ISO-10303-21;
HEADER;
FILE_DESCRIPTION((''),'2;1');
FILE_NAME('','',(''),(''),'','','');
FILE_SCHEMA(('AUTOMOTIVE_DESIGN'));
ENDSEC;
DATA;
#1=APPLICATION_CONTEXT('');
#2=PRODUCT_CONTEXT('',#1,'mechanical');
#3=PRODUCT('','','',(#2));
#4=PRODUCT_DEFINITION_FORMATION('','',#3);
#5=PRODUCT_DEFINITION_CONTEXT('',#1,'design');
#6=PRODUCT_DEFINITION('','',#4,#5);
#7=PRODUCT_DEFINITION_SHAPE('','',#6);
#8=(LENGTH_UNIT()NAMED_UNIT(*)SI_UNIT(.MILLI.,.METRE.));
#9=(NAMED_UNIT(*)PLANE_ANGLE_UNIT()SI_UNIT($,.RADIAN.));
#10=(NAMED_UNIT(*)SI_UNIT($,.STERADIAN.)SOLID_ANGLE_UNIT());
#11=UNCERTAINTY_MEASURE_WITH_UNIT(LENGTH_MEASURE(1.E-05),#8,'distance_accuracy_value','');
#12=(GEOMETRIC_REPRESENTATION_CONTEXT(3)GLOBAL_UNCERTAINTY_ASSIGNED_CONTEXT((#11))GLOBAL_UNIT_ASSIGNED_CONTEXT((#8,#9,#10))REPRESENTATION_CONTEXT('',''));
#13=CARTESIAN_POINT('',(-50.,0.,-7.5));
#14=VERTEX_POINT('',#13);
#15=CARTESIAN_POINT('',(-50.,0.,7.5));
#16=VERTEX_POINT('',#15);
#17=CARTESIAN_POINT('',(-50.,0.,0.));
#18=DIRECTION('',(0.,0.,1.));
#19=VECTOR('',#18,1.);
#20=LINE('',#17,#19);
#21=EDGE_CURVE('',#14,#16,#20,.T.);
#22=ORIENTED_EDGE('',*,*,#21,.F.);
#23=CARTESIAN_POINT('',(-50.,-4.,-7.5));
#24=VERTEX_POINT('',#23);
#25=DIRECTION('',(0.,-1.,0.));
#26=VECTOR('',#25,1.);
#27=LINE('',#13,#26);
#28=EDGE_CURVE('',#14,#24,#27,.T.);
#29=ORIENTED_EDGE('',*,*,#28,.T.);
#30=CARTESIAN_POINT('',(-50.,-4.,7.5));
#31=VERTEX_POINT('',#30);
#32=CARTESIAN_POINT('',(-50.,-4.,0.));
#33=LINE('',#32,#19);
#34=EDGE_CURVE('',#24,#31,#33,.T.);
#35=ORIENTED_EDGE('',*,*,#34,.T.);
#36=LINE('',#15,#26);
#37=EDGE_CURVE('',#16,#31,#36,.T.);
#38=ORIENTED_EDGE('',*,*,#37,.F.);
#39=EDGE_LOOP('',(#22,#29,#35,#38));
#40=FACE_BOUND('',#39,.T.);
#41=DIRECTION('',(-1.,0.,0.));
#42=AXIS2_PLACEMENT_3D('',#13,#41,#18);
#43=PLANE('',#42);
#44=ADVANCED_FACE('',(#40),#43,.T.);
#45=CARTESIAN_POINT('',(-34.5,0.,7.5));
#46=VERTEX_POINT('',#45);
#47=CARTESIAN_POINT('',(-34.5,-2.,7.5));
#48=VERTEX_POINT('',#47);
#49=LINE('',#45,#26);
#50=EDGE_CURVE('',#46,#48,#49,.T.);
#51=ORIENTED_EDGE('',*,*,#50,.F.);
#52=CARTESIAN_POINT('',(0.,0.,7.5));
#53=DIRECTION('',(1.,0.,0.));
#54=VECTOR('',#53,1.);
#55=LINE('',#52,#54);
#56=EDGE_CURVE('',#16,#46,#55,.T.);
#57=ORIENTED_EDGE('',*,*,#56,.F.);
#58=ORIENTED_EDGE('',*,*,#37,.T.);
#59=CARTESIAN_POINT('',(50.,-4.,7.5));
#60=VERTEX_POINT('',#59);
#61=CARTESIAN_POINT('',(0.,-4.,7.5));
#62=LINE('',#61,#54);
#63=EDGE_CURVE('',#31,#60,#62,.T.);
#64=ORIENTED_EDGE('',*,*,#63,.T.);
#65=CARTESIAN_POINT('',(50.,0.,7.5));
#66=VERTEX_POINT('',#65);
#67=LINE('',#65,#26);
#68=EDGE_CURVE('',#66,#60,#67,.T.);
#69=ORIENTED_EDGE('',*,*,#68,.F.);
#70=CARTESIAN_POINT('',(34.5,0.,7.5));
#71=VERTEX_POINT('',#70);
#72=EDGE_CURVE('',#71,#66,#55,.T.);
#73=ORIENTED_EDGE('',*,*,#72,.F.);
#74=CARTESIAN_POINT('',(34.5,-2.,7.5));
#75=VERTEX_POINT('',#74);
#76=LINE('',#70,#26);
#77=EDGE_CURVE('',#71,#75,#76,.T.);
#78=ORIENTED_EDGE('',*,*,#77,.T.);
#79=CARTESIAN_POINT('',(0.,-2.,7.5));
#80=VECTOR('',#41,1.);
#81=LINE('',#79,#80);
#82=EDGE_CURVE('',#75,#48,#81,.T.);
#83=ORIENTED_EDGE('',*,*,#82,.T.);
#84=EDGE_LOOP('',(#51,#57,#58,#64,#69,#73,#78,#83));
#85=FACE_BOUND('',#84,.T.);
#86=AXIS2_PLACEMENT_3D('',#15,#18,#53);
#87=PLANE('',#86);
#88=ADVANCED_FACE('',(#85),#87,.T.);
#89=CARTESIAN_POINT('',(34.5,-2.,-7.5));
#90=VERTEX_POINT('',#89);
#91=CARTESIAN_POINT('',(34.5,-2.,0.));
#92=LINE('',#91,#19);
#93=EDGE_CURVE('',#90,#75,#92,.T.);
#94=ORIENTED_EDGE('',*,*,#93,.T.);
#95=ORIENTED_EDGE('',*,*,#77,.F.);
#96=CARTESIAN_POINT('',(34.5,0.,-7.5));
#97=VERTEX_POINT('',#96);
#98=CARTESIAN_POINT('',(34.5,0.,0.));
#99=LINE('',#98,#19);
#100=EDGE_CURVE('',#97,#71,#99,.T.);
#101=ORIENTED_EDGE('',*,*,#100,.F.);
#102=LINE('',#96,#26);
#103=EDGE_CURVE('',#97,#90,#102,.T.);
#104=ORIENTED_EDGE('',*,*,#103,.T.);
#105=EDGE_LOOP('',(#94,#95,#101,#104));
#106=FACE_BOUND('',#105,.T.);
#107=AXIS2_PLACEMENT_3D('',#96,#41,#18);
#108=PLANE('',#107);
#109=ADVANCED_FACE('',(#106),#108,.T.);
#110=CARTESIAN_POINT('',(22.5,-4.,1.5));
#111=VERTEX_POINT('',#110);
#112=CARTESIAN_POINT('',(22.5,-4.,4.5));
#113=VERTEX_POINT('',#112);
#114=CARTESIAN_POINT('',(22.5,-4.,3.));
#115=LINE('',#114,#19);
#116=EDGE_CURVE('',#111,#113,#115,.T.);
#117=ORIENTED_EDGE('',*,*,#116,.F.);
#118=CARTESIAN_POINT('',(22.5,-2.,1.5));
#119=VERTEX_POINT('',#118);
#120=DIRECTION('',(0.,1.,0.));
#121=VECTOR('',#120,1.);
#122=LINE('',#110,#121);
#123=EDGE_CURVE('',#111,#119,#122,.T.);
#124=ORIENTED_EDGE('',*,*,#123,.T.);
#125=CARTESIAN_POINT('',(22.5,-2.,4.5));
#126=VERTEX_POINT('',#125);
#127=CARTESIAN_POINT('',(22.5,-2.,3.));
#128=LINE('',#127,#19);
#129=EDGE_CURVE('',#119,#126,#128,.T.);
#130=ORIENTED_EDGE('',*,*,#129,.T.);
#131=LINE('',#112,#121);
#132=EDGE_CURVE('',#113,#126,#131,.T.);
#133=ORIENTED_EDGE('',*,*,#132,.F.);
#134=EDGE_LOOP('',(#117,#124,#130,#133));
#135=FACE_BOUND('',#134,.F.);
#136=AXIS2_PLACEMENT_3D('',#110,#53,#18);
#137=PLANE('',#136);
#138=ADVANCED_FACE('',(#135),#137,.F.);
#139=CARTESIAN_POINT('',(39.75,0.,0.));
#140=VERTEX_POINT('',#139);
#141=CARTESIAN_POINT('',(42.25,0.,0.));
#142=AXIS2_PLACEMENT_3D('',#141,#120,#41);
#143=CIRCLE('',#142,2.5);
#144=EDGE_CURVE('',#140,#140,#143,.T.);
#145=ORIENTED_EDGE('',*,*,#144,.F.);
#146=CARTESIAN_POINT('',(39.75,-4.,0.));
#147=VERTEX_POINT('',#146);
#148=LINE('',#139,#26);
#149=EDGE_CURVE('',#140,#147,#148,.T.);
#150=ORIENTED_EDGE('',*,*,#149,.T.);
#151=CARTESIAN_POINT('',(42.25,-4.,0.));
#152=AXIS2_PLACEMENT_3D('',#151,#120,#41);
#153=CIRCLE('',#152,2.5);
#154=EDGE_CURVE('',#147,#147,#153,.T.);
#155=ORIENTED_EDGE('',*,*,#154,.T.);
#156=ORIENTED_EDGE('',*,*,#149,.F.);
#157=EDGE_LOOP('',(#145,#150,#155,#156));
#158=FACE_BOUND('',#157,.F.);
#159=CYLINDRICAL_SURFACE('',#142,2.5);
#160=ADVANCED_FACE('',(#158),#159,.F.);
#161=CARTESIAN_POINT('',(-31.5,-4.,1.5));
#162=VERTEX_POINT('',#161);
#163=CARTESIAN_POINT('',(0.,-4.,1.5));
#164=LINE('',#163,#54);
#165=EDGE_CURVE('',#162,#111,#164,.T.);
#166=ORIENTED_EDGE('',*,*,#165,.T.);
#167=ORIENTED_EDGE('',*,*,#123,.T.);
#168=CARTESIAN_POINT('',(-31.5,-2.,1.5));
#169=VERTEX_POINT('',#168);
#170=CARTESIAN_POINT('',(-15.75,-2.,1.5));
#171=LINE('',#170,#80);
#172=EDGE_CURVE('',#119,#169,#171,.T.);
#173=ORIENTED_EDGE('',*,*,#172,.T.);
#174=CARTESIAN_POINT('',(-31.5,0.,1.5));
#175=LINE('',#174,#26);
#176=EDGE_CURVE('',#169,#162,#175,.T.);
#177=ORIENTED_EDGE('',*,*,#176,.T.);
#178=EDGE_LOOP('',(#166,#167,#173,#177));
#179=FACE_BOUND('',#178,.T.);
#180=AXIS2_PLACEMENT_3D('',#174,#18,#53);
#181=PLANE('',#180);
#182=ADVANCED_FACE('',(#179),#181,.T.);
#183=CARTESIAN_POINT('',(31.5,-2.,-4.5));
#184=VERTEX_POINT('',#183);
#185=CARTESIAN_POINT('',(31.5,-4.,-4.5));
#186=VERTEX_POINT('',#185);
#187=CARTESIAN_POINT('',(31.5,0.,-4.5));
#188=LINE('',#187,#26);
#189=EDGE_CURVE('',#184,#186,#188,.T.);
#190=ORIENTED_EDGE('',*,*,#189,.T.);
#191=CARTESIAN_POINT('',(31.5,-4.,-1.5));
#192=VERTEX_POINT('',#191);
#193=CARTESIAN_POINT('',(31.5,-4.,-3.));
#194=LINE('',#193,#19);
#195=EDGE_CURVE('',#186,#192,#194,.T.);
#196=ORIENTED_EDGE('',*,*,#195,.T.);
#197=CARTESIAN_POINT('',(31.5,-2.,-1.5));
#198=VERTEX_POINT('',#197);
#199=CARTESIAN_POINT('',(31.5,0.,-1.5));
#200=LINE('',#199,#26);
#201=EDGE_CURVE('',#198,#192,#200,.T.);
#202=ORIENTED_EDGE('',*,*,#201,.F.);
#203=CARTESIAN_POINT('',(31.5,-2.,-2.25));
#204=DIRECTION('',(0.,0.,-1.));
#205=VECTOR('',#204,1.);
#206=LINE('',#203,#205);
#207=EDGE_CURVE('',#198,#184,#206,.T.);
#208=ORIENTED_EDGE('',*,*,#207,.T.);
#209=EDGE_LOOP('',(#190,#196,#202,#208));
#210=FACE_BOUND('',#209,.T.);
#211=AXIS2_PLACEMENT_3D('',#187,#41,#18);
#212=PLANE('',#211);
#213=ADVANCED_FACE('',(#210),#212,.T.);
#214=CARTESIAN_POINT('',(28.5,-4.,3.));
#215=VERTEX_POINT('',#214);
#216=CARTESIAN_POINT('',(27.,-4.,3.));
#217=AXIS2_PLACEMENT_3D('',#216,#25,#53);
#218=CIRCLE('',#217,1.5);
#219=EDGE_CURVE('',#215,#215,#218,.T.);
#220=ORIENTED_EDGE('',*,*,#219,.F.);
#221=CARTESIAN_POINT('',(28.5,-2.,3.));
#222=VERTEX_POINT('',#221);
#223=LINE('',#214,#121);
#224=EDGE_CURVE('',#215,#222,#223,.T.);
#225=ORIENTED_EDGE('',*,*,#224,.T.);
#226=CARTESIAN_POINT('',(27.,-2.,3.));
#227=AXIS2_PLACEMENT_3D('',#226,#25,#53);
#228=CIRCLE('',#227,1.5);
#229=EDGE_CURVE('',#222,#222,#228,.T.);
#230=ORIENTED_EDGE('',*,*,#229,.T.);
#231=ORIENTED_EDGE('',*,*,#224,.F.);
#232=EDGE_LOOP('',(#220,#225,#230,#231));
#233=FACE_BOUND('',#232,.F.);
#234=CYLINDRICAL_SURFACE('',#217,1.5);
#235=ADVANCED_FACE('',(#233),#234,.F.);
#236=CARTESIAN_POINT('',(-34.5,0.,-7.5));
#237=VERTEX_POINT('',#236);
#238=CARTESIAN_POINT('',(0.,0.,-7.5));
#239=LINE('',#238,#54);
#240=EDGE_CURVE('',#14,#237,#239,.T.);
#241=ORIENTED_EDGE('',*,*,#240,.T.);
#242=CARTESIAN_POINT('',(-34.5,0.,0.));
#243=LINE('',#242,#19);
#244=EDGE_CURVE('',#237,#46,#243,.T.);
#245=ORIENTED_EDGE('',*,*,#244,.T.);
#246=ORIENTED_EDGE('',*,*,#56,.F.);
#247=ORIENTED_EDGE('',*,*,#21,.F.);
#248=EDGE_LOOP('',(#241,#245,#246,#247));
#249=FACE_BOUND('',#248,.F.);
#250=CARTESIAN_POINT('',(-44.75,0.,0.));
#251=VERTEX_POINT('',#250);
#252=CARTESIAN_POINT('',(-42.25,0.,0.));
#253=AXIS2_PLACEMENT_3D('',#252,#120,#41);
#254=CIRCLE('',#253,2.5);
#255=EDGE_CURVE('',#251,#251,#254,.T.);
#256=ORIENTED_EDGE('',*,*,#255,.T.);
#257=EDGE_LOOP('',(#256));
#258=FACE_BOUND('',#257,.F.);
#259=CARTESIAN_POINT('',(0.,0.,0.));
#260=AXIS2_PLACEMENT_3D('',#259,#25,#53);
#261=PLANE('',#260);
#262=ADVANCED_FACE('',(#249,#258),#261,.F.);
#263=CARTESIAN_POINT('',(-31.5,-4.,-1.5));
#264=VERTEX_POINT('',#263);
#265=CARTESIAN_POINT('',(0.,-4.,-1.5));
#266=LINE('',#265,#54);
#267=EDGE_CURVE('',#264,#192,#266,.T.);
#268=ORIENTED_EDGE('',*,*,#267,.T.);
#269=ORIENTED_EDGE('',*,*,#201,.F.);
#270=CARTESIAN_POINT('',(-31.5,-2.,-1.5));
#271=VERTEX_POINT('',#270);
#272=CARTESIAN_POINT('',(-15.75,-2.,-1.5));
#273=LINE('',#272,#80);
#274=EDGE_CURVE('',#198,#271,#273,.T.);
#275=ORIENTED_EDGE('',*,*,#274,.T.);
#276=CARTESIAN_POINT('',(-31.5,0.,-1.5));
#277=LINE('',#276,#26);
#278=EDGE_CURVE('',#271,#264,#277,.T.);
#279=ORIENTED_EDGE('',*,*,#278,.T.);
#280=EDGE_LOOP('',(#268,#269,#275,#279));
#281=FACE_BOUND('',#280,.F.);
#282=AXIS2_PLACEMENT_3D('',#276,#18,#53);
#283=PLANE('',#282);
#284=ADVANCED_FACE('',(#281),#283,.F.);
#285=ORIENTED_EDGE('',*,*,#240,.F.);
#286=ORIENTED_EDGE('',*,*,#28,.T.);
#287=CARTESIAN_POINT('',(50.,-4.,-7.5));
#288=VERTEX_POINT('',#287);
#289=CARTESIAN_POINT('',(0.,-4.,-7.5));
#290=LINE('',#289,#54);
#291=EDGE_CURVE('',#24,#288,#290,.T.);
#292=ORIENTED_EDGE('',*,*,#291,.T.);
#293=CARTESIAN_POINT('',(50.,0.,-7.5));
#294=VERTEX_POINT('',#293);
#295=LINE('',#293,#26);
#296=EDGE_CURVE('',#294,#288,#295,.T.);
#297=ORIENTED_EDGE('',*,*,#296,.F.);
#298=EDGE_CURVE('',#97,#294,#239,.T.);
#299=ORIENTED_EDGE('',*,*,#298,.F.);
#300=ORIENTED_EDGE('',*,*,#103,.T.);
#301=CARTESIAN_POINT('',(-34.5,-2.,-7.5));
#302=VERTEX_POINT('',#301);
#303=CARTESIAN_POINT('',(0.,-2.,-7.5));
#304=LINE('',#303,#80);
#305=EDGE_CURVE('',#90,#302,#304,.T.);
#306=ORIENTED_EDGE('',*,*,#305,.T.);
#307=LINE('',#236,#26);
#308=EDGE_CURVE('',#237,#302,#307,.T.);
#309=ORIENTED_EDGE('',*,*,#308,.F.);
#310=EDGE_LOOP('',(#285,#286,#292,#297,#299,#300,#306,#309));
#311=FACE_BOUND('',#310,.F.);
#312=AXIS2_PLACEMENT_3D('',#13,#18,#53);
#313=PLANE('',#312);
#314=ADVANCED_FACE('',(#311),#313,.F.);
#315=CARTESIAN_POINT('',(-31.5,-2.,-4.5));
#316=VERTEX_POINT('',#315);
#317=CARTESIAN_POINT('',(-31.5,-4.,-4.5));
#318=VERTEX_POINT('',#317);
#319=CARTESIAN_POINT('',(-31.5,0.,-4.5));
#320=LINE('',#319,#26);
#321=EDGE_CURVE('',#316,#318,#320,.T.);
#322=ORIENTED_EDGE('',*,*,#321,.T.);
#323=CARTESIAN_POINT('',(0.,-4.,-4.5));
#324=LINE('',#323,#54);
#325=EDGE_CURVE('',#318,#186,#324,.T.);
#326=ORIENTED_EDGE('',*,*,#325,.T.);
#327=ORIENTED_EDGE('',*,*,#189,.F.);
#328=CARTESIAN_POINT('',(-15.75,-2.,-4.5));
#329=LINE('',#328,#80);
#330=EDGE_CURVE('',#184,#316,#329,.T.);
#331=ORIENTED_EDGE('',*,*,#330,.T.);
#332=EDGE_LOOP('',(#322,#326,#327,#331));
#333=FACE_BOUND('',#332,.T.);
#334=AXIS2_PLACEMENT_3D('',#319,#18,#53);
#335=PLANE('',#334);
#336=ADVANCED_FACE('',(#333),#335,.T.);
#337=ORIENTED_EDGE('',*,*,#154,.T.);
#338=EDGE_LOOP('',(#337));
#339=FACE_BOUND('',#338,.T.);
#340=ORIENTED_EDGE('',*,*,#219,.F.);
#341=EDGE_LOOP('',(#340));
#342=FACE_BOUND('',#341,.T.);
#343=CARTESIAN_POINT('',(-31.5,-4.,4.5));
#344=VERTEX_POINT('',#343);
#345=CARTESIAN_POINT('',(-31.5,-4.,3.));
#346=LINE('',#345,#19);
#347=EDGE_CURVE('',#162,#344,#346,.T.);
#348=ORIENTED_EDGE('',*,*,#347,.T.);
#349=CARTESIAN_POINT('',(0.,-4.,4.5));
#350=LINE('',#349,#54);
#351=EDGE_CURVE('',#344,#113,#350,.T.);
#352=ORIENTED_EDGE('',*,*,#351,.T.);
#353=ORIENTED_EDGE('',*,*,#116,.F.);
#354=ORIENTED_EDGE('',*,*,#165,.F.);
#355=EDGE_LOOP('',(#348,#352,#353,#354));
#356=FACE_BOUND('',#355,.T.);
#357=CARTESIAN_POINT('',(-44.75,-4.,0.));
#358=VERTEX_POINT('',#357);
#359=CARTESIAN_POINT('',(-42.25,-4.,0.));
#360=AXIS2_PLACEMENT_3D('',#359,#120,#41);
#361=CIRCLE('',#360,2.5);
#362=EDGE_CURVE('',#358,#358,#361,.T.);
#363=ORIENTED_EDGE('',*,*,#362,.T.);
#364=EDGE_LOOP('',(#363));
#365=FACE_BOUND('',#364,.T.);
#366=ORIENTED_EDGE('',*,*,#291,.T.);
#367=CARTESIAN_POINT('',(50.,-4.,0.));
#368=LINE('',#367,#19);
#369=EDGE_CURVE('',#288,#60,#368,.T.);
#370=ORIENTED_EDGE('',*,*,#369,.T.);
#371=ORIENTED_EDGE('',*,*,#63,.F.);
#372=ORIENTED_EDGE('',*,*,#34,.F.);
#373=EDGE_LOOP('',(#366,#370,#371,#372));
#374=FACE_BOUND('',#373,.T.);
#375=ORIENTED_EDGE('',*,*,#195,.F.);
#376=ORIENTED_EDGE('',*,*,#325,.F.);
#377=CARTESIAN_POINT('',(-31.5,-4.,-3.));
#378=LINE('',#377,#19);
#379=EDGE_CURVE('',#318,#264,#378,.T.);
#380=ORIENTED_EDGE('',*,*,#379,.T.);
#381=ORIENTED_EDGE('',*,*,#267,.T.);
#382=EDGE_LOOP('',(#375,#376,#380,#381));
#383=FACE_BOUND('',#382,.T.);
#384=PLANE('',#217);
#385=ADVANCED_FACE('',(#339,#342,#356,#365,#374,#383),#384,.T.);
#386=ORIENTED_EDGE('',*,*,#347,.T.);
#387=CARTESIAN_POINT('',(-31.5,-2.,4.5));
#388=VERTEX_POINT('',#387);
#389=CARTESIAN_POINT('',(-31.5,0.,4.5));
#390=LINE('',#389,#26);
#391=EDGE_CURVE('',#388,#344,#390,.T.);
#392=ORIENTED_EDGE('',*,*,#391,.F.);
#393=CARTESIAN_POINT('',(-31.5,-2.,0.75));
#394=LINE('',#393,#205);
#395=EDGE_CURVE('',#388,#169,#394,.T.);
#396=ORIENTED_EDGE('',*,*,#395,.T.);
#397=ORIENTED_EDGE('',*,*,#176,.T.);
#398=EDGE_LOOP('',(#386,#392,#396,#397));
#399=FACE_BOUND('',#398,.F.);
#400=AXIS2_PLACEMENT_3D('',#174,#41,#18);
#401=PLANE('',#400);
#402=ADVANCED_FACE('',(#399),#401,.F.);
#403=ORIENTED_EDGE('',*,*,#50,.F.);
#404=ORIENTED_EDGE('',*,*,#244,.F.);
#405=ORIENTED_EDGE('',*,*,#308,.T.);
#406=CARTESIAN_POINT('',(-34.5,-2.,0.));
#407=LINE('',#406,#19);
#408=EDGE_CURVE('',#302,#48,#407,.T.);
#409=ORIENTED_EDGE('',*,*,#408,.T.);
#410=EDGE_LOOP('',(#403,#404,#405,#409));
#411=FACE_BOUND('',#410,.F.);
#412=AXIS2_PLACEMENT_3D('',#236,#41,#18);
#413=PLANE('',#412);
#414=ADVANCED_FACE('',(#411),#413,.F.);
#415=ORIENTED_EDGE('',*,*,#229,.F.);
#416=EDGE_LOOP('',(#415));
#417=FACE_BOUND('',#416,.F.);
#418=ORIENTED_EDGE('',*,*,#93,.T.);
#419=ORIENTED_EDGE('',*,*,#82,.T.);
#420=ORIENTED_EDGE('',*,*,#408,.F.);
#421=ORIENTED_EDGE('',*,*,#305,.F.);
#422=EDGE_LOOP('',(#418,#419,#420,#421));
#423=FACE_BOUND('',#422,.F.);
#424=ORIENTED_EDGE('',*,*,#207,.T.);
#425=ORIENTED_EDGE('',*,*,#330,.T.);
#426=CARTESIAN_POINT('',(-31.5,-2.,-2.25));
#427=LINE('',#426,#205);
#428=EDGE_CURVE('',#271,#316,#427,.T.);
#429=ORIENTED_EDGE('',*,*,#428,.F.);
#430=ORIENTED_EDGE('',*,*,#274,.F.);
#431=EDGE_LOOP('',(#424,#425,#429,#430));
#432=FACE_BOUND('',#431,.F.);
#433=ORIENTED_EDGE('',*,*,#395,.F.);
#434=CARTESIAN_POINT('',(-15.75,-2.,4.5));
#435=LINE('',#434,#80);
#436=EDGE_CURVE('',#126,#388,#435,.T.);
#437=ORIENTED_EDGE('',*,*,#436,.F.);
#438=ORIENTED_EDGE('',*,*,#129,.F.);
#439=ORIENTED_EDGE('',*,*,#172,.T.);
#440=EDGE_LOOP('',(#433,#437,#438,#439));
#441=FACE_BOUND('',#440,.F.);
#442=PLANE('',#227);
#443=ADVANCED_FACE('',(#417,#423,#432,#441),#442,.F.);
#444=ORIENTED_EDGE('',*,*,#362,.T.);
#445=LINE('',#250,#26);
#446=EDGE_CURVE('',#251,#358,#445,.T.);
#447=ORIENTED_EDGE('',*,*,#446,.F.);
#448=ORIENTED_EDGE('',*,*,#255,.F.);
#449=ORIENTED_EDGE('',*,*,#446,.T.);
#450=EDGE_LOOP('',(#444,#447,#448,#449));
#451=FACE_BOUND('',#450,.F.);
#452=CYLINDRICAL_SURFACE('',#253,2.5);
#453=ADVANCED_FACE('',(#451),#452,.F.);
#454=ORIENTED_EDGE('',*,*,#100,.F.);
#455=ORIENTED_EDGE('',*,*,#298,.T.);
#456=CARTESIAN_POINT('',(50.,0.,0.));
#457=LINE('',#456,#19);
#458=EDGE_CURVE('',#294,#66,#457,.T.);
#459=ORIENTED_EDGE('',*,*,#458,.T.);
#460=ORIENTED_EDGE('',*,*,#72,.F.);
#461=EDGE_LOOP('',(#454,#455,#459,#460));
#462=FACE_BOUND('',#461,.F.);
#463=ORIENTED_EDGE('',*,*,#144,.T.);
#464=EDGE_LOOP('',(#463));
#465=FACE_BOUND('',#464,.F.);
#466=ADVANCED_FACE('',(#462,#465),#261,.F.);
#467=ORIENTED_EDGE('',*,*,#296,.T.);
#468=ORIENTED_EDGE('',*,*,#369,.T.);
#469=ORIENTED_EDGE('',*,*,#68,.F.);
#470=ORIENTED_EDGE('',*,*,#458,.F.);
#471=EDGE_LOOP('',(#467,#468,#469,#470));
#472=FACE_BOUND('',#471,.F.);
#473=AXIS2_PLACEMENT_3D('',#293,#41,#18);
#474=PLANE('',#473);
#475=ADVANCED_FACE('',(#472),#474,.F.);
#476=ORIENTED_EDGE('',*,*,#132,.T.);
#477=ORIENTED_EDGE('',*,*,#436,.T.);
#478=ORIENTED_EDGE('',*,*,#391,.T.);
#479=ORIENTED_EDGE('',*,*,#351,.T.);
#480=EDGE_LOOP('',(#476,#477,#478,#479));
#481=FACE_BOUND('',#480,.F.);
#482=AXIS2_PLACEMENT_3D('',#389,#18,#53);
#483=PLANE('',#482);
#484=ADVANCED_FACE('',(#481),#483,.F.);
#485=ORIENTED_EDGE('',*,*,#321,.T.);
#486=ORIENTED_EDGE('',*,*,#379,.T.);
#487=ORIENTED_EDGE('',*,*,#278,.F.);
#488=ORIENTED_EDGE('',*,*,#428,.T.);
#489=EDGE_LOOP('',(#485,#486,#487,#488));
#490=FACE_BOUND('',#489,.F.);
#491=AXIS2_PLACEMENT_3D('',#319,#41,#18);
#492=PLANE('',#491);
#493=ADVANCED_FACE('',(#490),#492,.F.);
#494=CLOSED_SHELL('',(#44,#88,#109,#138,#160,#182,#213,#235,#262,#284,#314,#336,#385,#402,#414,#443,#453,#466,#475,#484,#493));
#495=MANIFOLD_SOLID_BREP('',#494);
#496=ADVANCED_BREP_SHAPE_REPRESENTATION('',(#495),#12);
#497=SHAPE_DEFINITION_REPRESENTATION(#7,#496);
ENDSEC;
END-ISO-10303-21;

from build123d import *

# Parameters (mm, degrees)
F0_W      = 100
F0_H      = 15
F0_W_2    = 63
F0_H_2    = 3
F1_DEPTH  = 4
F2_W      = 69
F2_H      = 15
F3_DEPTH  = 2
F4_R      = 2.5
F5_DEPTH  = 25
F6_R      = 2.5
F7_DEPTH  = 25
F8_W      = 9
F8_H      = 3
F9_DEPTH  = 2
F10_R     = 1.5
F11_DEPTH = 25


with BuildPart() as f1:
    # F0 (on Front) → F1 (new body)
    with BuildSketch(Plane.XZ):
        Rectangle(F0_W, F0_H)
        with Locations((0, -3)):
            Rectangle(F0_W_2, F0_H_2, mode=Mode.SUBTRACT)
        with Locations((0, 3)):
            Rectangle(F0_W_2, F0_H_2, mode=Mode.SUBTRACT)
    extrude(amount=F1_DEPTH)

    # F2 (on face) → F3 (cut)
    with BuildSketch(Plane(origin=(0, 0, 0), x_dir=(-1, 0, 0), z_dir=(0, 1, 0))):
        Rectangle(F2_W, F2_H)
    extrude(amount=-F3_DEPTH, mode=Mode.SUBTRACT)

    # F4 (on face) → F5 (cut)
    with BuildSketch(Plane(origin=(0, 0, 0), x_dir=(-1, 0, 0), z_dir=(0, 1, 0))):
        with Locations((-42.25, 0)):
            Circle(F4_R)
    extrude(amount=-F5_DEPTH, mode=Mode.SUBTRACT)

    # F6 (on face) → F7 (cut)
    with BuildSketch(Plane(origin=(0, 0, 0), x_dir=(-1, 0, 0), z_dir=(0, 1, 0))):
        with Locations((42.25, 0)):
            Circle(F6_R)
    extrude(amount=-F7_DEPTH, mode=Mode.SUBTRACT)

    # F8 (on face) → F9 (join)
    with BuildSketch(Plane.XZ.offset(4)):
        with Locations((27, 3)):
            Rectangle(F8_W, F8_H)
    extrude(amount=-F9_DEPTH)

    # F10 (on face) → F11 (cut)
    with BuildSketch(Plane.XZ.offset(4)):
        with Locations((27, 3)):
            Circle(F10_R)
    extrude(amount=-F11_DEPTH, mode=Mode.SUBTRACT)


solid = f1.part
